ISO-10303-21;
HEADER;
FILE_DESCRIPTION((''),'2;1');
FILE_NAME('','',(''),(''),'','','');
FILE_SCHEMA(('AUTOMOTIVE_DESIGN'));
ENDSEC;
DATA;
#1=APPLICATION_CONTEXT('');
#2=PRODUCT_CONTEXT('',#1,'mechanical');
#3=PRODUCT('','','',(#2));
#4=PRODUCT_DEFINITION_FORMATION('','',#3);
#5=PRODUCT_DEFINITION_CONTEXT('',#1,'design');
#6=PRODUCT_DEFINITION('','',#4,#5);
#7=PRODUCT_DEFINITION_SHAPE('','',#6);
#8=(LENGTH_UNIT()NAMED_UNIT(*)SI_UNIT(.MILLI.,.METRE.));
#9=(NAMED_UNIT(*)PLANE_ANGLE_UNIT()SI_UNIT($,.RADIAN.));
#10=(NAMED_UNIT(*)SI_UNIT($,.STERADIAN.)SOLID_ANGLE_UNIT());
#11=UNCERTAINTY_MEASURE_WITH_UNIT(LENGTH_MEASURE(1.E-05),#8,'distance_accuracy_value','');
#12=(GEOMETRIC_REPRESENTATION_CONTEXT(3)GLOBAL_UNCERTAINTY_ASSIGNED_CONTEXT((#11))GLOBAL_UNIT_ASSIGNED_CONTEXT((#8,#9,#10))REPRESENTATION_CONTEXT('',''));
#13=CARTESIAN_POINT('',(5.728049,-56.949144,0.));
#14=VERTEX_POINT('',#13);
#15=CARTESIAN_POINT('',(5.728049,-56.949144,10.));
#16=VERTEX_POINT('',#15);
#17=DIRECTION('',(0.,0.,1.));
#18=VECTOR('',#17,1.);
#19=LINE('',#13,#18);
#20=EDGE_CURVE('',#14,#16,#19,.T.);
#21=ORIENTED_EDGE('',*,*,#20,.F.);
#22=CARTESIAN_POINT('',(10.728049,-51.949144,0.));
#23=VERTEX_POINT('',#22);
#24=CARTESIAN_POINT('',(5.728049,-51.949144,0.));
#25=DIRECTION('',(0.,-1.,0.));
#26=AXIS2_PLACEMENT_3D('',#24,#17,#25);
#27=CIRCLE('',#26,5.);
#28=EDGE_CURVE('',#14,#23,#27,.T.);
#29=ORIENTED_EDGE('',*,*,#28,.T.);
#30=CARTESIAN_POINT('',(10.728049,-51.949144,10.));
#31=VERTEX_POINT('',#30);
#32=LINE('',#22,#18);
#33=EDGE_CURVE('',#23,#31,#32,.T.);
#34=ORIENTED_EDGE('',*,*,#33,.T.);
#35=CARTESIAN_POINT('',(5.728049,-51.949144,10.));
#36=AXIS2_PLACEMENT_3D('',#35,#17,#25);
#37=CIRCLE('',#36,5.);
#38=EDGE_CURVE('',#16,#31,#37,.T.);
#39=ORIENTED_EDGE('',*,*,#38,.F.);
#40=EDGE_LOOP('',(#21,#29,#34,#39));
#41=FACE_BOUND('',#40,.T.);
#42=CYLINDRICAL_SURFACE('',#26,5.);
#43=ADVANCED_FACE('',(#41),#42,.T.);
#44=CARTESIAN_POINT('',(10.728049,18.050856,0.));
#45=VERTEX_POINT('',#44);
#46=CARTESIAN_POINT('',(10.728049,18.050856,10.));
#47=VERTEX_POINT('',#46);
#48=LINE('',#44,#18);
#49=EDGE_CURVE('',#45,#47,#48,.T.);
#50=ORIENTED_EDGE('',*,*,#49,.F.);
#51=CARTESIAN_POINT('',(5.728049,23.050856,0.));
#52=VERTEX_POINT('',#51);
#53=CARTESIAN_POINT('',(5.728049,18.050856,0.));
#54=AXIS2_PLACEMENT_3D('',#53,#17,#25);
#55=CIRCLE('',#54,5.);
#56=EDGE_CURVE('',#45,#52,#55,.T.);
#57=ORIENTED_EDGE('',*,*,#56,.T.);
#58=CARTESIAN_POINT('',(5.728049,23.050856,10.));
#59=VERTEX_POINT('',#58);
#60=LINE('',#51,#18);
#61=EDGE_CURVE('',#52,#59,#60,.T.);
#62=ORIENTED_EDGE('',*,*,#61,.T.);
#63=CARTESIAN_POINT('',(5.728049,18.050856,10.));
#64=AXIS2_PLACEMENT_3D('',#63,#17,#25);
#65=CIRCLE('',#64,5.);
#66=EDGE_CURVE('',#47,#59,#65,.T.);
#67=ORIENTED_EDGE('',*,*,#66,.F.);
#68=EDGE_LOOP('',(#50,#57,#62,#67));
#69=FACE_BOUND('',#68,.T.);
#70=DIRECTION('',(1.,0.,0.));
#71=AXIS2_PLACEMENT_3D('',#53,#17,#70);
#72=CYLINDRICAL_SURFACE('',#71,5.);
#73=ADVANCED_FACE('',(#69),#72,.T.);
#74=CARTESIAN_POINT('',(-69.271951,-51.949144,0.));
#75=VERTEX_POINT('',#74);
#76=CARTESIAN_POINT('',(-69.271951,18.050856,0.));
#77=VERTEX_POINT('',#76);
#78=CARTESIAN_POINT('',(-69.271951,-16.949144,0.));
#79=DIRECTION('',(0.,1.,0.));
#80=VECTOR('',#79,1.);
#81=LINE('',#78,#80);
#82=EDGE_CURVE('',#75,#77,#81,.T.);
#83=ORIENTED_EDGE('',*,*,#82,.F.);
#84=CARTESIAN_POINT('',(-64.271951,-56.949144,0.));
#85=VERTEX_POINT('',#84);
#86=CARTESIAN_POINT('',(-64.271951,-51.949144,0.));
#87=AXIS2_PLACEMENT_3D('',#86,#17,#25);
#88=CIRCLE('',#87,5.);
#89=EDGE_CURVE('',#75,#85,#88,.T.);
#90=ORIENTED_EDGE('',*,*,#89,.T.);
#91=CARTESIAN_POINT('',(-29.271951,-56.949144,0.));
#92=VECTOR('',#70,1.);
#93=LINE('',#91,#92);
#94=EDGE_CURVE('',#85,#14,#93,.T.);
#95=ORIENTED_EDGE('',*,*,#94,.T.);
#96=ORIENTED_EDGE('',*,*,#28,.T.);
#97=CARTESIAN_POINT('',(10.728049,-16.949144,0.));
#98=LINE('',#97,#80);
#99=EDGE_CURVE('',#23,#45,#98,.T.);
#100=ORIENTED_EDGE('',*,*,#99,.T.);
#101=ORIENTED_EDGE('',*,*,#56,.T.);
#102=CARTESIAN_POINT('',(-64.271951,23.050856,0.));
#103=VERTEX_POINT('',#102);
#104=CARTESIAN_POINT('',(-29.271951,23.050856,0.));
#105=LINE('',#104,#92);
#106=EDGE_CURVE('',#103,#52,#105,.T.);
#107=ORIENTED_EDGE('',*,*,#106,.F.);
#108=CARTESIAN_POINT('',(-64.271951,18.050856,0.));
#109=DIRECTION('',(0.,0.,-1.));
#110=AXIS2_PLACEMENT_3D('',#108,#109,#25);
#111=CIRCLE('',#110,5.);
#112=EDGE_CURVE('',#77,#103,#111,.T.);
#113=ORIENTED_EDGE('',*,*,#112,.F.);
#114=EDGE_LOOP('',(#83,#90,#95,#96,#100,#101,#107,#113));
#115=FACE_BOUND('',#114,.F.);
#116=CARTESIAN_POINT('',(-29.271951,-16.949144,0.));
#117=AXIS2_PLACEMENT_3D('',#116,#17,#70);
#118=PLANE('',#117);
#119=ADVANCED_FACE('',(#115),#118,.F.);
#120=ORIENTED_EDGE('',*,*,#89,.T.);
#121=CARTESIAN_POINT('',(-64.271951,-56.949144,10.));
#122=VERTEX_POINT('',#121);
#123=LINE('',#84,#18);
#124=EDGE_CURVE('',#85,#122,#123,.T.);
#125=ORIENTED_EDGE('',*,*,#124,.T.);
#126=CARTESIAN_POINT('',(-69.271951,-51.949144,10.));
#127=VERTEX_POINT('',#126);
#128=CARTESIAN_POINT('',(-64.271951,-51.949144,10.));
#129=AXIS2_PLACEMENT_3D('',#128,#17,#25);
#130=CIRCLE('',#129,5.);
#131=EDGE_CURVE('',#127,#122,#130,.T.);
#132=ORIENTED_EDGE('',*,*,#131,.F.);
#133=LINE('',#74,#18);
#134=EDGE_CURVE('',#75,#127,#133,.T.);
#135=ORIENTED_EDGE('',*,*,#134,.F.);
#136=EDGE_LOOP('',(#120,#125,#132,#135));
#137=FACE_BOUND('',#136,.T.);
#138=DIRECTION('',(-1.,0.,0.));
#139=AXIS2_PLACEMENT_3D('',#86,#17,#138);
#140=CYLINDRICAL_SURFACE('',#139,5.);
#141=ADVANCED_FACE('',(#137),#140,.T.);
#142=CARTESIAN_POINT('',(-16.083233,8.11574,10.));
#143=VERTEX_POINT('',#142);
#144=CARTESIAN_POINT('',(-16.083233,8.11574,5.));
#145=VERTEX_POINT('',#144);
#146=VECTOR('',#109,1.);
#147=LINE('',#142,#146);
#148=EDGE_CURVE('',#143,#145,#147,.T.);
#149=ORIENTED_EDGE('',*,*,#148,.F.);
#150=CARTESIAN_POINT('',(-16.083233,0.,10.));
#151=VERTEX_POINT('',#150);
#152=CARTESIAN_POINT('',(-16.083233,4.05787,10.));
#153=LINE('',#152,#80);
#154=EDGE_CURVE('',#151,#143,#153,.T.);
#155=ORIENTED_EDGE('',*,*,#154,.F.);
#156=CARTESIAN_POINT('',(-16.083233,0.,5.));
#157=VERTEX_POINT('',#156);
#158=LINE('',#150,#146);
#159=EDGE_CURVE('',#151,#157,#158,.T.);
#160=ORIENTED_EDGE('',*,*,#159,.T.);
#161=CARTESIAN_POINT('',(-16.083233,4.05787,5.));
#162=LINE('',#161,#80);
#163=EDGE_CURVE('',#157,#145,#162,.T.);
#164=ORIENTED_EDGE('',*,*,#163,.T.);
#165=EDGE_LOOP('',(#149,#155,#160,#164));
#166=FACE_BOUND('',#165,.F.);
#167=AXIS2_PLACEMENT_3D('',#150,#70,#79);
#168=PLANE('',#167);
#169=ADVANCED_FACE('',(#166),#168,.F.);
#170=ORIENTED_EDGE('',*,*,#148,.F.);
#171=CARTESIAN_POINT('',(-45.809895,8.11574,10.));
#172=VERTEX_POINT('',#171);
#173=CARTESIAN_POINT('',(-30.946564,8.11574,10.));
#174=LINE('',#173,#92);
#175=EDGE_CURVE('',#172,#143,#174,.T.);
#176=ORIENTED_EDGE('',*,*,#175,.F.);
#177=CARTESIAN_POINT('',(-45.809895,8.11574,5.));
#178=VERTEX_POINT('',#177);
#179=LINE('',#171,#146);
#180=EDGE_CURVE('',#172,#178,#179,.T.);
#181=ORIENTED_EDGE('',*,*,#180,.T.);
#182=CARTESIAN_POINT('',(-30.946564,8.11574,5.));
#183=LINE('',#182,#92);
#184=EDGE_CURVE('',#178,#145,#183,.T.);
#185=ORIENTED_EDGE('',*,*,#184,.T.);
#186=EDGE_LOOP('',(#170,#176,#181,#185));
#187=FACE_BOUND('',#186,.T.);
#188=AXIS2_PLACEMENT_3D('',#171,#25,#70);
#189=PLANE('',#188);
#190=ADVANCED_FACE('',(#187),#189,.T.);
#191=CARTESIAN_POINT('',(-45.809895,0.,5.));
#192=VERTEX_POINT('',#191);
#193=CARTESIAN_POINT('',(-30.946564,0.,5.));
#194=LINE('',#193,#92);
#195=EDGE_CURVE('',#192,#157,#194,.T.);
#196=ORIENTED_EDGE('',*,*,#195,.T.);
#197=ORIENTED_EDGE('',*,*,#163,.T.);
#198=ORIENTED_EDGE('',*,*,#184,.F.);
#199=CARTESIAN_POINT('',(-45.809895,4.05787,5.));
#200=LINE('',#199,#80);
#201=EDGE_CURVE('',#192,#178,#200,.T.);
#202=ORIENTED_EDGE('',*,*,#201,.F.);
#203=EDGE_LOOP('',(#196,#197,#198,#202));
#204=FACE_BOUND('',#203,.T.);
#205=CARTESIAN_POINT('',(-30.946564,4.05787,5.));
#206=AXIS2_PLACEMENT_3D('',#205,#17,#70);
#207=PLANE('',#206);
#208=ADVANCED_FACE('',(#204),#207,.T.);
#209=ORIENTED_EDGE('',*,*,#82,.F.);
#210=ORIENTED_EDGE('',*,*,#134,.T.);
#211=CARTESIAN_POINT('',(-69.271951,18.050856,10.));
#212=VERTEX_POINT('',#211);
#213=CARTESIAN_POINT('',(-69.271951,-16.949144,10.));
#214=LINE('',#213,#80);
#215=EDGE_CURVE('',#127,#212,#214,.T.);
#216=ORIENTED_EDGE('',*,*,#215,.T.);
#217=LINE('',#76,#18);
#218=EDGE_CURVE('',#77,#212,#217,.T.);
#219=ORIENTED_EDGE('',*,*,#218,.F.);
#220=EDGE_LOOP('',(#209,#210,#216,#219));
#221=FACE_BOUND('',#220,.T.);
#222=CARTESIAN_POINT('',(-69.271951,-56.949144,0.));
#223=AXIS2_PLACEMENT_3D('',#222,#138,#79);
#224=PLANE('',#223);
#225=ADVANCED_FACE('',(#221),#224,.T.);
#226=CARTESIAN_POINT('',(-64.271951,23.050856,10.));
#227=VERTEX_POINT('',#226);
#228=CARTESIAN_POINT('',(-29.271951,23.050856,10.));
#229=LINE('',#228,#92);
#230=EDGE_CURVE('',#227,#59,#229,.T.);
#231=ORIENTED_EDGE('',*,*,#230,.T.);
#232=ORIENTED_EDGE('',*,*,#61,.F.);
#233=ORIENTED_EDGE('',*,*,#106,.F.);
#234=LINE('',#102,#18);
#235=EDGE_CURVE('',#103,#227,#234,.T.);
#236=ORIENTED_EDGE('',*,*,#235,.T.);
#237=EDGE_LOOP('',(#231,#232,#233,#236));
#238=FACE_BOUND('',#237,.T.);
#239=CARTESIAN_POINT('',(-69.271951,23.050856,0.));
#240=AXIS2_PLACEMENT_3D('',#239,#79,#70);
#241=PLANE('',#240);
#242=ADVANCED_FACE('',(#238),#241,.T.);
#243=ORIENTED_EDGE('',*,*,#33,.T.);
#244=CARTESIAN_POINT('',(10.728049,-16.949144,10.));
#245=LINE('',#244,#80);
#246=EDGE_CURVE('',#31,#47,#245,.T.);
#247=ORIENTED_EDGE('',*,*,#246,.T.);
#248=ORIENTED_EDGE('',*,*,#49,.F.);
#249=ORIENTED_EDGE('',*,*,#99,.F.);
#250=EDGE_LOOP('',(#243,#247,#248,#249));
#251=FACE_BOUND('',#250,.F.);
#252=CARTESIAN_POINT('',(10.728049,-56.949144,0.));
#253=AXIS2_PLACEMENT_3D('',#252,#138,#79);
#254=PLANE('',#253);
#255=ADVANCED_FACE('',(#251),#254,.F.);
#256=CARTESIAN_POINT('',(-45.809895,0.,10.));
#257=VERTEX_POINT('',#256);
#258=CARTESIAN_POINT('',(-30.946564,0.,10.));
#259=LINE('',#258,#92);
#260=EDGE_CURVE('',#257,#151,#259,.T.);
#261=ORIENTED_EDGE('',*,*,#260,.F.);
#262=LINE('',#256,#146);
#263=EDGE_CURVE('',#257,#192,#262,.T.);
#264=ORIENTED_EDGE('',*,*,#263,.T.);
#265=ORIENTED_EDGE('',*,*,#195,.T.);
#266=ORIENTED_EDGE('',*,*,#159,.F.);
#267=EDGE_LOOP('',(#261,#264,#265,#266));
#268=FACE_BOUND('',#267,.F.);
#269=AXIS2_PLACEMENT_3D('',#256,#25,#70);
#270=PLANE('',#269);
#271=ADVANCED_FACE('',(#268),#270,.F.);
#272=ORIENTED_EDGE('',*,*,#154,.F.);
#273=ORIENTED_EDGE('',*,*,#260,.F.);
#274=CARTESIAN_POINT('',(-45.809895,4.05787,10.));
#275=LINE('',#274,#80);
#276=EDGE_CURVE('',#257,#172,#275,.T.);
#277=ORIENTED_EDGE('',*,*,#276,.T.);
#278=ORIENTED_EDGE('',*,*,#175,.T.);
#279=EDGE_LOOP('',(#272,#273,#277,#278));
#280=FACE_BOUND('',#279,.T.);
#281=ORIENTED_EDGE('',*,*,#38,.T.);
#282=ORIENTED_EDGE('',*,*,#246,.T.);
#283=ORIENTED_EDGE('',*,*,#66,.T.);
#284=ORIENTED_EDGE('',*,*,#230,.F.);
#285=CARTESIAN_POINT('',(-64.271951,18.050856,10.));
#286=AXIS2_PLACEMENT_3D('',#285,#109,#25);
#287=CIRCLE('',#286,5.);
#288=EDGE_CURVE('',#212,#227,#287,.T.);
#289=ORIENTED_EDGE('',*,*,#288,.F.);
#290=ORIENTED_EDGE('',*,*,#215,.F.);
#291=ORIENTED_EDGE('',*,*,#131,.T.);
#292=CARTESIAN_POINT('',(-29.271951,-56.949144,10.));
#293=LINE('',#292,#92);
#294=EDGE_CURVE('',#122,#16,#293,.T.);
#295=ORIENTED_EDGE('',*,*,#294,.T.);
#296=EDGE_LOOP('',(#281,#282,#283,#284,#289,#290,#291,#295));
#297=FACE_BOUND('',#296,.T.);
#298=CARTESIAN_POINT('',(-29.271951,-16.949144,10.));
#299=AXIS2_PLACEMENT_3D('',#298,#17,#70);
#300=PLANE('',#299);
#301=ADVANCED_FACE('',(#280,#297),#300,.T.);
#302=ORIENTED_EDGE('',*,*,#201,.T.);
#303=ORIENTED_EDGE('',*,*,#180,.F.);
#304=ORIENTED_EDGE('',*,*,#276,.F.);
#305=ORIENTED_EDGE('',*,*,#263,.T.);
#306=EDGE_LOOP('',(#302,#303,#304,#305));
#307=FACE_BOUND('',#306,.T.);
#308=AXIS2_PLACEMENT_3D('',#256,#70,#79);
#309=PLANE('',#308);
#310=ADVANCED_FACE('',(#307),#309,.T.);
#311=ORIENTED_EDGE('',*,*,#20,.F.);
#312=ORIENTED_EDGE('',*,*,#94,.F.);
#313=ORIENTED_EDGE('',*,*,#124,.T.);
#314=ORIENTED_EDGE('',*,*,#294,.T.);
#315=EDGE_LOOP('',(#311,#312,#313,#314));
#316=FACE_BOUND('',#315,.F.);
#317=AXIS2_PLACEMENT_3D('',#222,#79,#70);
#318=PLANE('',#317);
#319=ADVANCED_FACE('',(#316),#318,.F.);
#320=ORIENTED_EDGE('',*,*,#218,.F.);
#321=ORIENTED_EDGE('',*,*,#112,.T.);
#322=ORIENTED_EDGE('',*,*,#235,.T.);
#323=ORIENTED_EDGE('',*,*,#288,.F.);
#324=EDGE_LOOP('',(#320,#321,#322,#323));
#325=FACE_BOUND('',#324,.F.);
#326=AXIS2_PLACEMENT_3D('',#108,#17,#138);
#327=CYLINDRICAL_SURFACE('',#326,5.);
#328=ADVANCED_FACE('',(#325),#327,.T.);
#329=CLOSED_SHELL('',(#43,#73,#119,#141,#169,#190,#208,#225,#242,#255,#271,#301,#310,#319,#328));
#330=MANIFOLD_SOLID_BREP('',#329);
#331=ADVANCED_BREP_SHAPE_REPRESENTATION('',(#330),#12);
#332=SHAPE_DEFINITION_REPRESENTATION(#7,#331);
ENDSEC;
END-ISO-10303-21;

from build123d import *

# Parameters (mm, degrees)
F0_W     = 80
F0_H     = 80
F1_DEPTH = 10
F2_R     = 5
F3_W     = 29.726662
F3_H     = 8.11574
F4_DEPTH = 5


with BuildPart() as f1:
    # F0 (on Top) → F1 (new body)
    with BuildSketch(Plane.XY):
        with Locations((-29.271951, -16.949144)):
            Rectangle(F0_W, F0_H)
    extrude(amount=F1_DEPTH)

    # F2
    f2_edges = [f1.edges().sort_by_distance(p)[0] for p in [
        (-69.271951, 23.050856, 5),
        (-69.271951, -56.949144, 5),
        (10.728049, -56.949144, 5),
        (10.728049, 23.050856, 5),
    ]]
    fillet(f2_edges, radius=F2_R)

    # F3 (on face) → F4 (cut)
    with BuildSketch(Plane.XY.offset(10)):
        with Locations((-30.946564, 4.05787)):
            Rectangle(F3_W, F3_H)
    extrude(amount=-F4_DEPTH, mode=Mode.SUBTRACT)


solid = f1.part
